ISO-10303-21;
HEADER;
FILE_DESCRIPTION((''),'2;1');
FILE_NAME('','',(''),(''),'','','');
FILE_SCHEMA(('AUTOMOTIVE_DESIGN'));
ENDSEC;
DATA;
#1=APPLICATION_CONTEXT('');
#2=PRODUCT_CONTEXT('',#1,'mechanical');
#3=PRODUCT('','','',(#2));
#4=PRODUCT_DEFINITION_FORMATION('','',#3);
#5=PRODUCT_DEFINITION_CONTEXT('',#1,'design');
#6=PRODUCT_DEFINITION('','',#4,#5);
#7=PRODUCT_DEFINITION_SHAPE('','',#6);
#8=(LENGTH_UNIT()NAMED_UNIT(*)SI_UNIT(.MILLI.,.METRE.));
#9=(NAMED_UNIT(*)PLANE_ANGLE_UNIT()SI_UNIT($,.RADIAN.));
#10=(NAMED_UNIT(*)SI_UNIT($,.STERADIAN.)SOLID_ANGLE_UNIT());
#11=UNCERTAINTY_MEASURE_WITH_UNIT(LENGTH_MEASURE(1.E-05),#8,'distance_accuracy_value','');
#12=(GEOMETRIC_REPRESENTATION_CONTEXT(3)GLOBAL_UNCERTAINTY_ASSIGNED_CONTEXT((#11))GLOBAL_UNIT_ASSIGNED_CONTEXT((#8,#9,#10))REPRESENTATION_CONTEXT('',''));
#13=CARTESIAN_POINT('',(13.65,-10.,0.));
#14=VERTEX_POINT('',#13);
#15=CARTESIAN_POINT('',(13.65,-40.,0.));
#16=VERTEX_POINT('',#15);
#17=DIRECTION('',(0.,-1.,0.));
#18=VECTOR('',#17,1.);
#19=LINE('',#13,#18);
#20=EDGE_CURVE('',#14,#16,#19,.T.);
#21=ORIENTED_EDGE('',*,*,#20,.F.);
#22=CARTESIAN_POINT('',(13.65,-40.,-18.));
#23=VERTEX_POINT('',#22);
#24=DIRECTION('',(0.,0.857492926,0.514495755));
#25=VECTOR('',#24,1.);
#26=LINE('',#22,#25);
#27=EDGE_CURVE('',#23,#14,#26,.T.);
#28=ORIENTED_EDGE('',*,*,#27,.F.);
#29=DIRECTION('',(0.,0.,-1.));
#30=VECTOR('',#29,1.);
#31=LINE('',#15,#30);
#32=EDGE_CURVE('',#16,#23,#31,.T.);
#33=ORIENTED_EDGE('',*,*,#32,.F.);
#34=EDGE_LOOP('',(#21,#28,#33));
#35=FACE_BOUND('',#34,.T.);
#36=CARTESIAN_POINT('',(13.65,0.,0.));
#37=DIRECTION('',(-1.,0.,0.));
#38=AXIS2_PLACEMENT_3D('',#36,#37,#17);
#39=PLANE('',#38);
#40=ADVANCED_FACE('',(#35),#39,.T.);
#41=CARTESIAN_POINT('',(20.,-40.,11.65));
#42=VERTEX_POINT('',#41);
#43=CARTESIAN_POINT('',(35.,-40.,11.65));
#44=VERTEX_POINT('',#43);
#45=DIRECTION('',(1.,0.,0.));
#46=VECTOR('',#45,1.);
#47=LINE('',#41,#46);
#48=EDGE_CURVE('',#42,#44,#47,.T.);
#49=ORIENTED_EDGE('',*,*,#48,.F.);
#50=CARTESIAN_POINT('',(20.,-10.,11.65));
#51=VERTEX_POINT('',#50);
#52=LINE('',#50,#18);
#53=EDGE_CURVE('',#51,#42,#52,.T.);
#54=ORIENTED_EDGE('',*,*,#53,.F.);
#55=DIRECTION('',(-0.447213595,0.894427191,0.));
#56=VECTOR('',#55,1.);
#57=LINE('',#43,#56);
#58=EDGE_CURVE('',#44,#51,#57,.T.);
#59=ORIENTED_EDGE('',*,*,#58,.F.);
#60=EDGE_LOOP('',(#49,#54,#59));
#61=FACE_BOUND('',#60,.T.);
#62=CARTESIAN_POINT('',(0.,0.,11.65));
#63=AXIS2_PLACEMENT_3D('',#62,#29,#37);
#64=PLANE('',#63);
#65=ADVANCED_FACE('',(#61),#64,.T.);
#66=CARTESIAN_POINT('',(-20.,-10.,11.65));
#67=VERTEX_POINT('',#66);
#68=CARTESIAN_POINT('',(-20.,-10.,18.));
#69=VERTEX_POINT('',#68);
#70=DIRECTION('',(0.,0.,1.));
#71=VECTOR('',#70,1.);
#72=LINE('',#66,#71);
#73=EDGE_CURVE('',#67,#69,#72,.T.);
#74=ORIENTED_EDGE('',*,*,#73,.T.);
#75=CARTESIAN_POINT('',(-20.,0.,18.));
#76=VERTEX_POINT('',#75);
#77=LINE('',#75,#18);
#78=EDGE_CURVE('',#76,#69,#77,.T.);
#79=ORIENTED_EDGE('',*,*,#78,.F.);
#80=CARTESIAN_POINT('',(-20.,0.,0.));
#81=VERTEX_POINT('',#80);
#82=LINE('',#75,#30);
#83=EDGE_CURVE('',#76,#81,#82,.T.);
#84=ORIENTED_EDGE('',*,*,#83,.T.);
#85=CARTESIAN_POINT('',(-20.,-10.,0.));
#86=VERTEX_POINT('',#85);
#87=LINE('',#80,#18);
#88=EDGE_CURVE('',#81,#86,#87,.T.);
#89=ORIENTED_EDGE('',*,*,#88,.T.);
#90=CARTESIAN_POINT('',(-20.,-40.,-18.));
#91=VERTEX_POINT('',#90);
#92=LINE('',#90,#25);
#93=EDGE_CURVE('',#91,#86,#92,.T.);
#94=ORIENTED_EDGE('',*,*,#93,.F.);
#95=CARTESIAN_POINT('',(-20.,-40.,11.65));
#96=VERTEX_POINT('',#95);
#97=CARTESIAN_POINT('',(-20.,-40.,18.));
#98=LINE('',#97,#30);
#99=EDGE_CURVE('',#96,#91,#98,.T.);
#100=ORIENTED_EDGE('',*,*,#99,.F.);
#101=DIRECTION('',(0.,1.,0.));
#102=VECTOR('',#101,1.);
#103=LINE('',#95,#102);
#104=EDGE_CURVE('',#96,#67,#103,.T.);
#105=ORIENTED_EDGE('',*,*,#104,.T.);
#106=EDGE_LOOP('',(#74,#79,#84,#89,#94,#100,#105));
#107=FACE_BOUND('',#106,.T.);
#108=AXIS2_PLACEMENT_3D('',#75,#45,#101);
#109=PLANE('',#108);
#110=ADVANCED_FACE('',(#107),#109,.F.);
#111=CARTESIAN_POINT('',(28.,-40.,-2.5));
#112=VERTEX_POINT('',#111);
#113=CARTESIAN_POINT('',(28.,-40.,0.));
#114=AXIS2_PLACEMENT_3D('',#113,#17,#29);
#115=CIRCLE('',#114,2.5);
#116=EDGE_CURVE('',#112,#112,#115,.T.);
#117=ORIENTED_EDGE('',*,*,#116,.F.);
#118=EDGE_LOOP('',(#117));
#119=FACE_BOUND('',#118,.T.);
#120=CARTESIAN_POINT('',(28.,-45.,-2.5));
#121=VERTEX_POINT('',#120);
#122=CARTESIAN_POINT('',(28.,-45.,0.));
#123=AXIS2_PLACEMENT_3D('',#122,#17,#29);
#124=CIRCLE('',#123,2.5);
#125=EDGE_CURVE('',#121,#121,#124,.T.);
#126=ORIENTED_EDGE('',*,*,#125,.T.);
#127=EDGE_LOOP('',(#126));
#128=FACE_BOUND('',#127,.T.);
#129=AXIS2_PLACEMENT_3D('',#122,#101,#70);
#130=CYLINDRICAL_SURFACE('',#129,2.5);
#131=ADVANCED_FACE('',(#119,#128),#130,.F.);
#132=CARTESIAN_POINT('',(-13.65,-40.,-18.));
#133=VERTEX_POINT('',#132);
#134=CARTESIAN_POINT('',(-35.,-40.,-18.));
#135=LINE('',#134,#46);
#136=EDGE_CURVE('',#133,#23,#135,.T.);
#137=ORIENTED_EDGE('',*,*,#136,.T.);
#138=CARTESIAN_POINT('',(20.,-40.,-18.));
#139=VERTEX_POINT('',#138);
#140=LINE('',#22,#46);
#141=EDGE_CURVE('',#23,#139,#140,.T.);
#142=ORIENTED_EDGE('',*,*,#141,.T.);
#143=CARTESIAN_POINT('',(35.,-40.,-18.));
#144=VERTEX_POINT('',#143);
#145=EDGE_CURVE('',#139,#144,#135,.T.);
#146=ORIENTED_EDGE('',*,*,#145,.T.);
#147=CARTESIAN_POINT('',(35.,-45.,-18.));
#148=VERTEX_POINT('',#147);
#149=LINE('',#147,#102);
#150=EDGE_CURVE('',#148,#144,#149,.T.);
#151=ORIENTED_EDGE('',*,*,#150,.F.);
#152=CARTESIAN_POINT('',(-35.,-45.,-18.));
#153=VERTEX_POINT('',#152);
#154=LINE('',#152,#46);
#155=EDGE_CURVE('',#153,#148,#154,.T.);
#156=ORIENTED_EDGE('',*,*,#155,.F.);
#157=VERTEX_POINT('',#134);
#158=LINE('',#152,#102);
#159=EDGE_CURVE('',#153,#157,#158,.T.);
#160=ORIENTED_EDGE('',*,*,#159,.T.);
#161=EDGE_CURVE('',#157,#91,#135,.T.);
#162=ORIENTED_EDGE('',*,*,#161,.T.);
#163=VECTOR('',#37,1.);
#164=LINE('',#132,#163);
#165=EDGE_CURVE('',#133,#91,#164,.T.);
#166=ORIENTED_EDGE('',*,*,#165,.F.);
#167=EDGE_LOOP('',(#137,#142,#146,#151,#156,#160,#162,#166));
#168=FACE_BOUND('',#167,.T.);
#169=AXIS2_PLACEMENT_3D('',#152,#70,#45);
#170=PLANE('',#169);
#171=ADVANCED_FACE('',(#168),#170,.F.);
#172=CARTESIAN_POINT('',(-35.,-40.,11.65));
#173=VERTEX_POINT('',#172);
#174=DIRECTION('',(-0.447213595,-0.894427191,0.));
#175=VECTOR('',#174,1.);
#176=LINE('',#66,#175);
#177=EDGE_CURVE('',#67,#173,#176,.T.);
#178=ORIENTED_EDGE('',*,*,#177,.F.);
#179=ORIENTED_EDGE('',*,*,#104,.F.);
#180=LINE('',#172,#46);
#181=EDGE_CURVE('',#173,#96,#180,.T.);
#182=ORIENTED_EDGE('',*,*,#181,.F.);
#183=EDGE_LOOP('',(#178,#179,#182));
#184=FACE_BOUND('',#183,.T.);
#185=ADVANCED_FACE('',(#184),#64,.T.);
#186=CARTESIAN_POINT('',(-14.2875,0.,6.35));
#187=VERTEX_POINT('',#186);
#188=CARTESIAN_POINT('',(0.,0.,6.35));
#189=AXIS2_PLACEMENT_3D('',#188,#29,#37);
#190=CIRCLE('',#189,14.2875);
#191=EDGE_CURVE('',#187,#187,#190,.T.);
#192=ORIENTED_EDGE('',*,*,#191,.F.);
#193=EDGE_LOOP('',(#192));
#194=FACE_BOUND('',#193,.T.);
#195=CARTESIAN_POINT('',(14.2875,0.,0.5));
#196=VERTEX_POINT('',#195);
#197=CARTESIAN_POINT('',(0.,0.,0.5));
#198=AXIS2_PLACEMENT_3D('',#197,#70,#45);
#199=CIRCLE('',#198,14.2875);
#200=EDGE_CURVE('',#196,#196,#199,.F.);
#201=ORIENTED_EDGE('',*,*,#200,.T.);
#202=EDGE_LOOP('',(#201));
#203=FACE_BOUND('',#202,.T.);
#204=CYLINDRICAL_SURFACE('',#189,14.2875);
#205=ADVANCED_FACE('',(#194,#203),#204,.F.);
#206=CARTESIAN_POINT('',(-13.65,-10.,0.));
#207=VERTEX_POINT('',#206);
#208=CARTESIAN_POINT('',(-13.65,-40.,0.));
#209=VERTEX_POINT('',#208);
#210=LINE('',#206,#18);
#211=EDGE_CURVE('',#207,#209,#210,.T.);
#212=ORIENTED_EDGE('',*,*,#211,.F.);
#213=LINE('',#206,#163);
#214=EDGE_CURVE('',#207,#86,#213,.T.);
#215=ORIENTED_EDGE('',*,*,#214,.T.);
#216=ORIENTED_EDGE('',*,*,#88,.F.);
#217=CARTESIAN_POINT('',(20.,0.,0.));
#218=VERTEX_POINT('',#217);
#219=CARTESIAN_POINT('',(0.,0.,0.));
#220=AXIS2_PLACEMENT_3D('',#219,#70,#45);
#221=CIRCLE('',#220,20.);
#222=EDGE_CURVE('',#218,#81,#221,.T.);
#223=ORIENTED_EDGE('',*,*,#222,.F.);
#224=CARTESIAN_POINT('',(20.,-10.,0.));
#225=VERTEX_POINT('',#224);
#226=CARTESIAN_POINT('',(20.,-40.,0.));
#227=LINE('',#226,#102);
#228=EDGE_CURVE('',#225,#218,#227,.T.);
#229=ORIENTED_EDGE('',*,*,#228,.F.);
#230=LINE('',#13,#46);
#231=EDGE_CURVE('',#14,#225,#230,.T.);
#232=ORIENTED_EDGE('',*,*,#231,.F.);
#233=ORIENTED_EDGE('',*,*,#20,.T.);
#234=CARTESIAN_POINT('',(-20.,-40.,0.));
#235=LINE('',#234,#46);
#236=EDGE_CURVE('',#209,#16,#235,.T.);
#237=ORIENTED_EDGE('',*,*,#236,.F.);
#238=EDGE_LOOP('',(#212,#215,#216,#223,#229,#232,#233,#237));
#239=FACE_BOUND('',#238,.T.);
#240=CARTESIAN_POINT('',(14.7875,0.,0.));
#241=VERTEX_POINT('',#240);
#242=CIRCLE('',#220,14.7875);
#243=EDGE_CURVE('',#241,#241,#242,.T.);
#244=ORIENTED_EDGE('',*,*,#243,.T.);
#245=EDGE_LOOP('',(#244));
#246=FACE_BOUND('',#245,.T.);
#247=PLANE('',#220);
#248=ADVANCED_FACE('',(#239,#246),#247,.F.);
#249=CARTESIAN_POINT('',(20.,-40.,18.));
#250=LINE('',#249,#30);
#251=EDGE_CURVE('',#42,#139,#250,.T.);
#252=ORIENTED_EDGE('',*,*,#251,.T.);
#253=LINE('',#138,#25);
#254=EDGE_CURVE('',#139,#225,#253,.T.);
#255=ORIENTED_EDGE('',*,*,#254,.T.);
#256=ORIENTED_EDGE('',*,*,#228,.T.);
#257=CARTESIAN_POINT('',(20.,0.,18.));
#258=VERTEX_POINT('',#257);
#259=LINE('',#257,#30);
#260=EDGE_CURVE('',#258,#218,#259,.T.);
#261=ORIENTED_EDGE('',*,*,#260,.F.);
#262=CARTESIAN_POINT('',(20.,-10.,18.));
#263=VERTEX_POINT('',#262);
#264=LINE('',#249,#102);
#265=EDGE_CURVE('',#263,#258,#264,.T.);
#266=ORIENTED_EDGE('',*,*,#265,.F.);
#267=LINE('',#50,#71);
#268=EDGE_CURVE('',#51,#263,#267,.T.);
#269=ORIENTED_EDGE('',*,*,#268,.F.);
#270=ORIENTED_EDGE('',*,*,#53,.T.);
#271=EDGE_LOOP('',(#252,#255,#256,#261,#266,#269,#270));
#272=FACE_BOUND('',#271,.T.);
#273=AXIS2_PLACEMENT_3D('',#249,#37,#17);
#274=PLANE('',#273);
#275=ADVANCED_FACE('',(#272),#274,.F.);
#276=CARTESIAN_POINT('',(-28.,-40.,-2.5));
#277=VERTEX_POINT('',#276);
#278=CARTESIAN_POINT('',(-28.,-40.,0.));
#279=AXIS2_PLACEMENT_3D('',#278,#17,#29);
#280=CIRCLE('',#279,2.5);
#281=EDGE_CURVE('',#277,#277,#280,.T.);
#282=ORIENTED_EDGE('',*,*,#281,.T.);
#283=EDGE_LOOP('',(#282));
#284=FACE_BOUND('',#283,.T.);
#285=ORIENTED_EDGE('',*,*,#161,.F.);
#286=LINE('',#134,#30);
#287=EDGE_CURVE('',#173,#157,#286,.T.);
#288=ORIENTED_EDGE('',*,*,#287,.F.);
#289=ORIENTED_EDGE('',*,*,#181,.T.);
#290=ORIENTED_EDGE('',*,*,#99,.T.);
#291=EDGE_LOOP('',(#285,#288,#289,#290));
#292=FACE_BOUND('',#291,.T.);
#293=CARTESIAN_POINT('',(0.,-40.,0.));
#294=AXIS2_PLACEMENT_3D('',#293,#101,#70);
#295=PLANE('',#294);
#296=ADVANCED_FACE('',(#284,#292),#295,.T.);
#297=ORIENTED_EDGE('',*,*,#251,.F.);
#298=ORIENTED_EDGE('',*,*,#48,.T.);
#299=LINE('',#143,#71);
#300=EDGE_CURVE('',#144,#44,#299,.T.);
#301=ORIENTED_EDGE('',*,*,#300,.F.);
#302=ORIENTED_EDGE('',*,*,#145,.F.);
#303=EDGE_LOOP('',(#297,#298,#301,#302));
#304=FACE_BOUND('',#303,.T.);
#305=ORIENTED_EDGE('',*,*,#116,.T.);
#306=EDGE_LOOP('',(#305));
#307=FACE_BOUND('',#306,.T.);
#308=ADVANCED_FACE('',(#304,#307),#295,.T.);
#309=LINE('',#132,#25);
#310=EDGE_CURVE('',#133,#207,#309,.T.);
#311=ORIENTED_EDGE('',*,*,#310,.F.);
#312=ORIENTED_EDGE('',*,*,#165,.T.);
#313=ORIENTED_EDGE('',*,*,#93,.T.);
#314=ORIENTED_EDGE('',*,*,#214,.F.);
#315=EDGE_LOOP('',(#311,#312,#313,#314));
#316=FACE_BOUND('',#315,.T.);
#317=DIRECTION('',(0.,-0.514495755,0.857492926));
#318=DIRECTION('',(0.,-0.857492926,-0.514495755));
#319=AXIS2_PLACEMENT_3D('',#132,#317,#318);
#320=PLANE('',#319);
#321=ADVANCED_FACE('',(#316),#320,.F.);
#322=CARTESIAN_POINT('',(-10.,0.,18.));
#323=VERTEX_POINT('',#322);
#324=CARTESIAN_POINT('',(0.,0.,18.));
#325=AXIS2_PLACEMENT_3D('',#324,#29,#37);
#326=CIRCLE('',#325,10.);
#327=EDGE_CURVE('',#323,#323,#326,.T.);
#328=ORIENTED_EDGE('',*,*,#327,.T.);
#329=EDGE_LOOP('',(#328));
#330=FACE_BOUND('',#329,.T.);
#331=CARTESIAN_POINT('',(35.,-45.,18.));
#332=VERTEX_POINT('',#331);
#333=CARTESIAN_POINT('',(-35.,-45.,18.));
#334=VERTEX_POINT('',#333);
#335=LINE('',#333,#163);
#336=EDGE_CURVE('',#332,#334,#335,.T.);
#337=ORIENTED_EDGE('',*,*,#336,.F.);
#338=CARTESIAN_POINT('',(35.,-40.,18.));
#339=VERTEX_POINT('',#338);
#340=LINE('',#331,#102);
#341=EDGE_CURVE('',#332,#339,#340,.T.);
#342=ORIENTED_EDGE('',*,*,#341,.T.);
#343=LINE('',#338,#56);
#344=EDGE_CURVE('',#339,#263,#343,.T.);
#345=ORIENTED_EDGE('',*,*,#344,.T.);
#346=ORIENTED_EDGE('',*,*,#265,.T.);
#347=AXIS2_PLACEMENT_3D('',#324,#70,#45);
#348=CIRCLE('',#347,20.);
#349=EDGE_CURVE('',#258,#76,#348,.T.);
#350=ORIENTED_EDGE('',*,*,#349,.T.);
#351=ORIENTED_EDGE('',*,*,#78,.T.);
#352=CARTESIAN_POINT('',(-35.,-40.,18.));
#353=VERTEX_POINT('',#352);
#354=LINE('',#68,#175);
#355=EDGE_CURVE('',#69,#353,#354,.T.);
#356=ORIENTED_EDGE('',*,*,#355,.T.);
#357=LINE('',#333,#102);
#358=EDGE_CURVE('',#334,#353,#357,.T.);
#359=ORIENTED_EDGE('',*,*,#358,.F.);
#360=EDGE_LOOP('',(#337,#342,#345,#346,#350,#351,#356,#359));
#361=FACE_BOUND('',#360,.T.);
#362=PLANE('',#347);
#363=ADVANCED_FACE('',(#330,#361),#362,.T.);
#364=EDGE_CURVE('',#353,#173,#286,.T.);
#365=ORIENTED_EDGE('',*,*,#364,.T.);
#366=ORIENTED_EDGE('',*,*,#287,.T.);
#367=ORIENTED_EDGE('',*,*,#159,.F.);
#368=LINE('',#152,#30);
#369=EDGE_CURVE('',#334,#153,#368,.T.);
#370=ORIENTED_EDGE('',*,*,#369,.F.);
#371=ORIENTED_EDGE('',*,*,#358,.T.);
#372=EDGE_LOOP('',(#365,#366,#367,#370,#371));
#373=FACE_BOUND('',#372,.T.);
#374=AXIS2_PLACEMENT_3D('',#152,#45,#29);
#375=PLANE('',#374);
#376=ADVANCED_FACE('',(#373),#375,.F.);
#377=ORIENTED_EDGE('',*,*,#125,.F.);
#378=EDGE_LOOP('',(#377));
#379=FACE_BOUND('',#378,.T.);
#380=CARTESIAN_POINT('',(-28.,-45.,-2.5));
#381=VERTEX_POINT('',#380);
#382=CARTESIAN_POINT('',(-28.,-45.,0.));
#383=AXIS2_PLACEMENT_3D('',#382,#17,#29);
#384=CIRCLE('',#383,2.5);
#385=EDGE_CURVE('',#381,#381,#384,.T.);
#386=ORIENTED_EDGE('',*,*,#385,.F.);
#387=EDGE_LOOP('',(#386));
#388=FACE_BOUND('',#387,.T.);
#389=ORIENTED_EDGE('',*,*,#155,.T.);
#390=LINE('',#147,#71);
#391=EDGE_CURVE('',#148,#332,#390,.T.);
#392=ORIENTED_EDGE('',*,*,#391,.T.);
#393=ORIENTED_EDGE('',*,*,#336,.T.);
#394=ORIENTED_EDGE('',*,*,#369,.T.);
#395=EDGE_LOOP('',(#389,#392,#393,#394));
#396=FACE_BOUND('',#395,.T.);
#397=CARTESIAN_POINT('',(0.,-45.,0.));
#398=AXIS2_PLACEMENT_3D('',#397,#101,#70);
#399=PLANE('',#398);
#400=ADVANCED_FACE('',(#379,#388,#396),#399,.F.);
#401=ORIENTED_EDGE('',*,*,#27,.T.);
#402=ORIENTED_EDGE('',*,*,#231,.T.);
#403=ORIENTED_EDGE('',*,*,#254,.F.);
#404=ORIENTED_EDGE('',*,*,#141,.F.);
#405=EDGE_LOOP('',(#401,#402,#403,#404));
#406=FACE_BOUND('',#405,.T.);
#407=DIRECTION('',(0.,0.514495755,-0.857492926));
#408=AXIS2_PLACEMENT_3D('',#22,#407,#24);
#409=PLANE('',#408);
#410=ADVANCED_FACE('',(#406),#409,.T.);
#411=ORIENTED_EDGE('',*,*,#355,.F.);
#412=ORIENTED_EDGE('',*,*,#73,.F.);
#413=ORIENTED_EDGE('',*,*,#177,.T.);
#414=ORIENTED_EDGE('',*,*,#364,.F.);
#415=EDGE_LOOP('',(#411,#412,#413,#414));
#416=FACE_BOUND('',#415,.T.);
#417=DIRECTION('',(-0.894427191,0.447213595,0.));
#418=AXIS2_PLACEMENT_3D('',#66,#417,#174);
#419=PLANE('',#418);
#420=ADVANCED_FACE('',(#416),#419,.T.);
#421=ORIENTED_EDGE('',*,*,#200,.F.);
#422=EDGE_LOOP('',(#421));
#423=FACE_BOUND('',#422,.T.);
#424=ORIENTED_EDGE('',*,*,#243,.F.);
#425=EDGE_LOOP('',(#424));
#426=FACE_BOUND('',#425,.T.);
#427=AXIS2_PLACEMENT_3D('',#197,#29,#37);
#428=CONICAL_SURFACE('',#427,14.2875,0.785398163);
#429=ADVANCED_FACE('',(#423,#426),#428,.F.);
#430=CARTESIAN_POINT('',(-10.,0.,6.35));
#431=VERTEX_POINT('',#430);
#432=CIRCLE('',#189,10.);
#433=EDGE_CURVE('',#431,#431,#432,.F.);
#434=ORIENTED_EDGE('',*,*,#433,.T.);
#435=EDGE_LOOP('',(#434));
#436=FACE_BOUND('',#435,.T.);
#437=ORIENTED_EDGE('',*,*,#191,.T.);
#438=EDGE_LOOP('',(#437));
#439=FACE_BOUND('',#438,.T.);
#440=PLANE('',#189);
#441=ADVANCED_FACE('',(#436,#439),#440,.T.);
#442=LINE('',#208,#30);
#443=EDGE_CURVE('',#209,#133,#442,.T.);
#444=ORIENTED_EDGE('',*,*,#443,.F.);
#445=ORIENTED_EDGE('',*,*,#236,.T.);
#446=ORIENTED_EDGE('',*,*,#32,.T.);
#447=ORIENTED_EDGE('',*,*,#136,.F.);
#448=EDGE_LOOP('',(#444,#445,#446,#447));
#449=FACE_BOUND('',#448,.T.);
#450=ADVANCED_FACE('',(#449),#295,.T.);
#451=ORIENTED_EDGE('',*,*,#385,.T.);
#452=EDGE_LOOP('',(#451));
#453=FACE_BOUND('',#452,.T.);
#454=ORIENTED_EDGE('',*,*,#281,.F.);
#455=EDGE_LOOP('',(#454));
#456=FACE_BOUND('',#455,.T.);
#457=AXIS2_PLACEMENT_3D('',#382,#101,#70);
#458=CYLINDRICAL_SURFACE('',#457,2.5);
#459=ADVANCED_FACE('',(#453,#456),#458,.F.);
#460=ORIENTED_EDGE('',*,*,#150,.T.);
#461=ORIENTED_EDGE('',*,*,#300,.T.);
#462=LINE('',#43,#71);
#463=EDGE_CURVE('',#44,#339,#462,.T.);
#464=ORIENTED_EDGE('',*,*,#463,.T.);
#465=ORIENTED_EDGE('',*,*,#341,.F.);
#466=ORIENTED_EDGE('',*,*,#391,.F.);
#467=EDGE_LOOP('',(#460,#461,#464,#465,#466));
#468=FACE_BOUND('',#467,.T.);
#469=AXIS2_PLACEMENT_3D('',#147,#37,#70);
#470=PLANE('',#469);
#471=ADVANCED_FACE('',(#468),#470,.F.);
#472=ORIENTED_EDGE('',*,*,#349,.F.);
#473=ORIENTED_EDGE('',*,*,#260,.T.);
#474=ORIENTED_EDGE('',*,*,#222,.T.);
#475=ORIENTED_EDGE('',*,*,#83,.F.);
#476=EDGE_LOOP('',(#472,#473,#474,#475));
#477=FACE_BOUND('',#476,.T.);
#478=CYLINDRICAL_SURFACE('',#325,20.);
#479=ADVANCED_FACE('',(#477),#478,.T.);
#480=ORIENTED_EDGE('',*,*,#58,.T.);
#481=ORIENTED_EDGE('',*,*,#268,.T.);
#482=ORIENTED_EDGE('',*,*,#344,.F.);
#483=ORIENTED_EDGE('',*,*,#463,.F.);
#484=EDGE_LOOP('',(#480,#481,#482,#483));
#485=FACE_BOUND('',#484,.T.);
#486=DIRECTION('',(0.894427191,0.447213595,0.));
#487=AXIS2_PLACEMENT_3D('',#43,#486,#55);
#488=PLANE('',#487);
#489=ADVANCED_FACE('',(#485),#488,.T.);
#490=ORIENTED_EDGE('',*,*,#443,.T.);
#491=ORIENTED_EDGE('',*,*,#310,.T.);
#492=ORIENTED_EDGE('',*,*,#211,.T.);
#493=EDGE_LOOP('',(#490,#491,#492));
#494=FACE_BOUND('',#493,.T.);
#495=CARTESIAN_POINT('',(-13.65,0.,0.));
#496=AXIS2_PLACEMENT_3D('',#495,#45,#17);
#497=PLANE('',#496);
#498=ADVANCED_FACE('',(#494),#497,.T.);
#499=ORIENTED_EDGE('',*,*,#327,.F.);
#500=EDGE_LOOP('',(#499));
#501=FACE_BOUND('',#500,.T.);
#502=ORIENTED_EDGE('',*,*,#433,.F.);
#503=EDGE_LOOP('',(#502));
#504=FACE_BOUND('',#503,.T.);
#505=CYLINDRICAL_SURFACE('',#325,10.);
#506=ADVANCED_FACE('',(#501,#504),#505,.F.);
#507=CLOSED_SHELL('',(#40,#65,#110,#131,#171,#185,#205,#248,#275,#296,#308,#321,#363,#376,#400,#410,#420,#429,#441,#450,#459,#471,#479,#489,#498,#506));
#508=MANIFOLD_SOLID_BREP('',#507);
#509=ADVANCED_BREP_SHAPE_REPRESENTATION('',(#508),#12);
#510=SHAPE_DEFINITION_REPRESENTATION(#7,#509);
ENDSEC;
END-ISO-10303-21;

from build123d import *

# Parameters (mm, degrees)
BOSS_EXTRUDE1_DEPTH = 18
SKETCH6_W           = 70
SKETCH6_H           = 36
SKETCH6_R           = 2.5
BOSS_EXTRUDE2_DEPTH = 5
SKETCH7_R           = 10
CUT_EXTRUDE1_DEPTH  = 19
SKETCH8_R           = 14.2875
CUT_EXTRUDE2_DEPTH  = 6.35
CHAMFER1_SIZE       = 0.5
BOSS_EXTRUDE3_DEPTH = 6.35
BOSS_EXTRUDE4_DEPTH = 6.35


with BuildPart() as part:
    # Sketch3 → Boss-Extrude1 (new body)
    with BuildSketch(Plane.XY):
        with BuildLine():
            Line((-20, 0), (-20, -40))
            Line((-20, -40), (20, -40))
            Line((20, -40), (20, 0))
            ThreePointArc((20, 0), (0, 20), (-20, 0))
        make_face()
    extrude(amount=BOSS_EXTRUDE1_DEPTH)

    # Sketch6 → Boss-Extrude2 (add)
    with BuildSketch(Plane.XZ.offset(40)):
        Rectangle(SKETCH6_W, SKETCH6_H)
        with Locations((28, 0)):
            Circle(SKETCH6_R, mode=Mode.SUBTRACT)
        with Locations((-28, 0)):
            Circle(SKETCH6_R, mode=Mode.SUBTRACT)
    extrude(amount=BOSS_EXTRUDE2_DEPTH)

    # Sketch7 → Cut-Extrude1 (cut, through all)
    with BuildSketch(Plane(origin=(0, 0, 0), x_dir=(-1, 0, 0), z_dir=(0, 0, -1))):
        Circle(SKETCH7_R)
    extrude(amount=-CUT_EXTRUDE1_DEPTH, mode=Mode.SUBTRACT)

    # Sketch8 → Cut-Extrude2 (cut)
    with BuildSketch(Plane(origin=(0, 0, 0), x_dir=(-1, 0, 0), z_dir=(0, 0, -1))):
        Circle(SKETCH8_R)
    extrude(amount=-CUT_EXTRUDE2_DEPTH, mode=Mode.SUBTRACT)

    # Chamfer1
    chamfer1_edges = [part.edges().sort_by_distance(p)[0] for p in [
        (14.2875, 0, 0),
    ]]
    chamfer(chamfer1_edges, length=CHAMFER1_SIZE)

    # Sketch9 → Boss-Extrude3 (add)
    with BuildSketch(Plane(origin=(20, 0, 0), x_dir=(0, 0, -1), z_dir=(1, 0, 0))):
        Polygon((18, -40), (0, -10), (0, -40), align=None)
    boss_extrude3 = extrude(amount=-BOSS_EXTRUDE3_DEPTH)

    # Mirror1: Boss-Extrude3 across plane
    add(boss_extrude3.mirror(Plane(origin=(0, 0, 0), x_dir=(0, 0, 1), z_dir=(1, 0, 0))))

    # Sketch10 → Boss-Extrude4 (add)
    with BuildSketch(Plane.XY.offset(18)):
        Polygon((-20, -10), (-35, -40), (-20, -40), align=None)
        Polygon((20, -10), (20, -40), (35, -40), align=None)
    extrude(amount=-BOSS_EXTRUDE4_DEPTH)


solid = part.part
